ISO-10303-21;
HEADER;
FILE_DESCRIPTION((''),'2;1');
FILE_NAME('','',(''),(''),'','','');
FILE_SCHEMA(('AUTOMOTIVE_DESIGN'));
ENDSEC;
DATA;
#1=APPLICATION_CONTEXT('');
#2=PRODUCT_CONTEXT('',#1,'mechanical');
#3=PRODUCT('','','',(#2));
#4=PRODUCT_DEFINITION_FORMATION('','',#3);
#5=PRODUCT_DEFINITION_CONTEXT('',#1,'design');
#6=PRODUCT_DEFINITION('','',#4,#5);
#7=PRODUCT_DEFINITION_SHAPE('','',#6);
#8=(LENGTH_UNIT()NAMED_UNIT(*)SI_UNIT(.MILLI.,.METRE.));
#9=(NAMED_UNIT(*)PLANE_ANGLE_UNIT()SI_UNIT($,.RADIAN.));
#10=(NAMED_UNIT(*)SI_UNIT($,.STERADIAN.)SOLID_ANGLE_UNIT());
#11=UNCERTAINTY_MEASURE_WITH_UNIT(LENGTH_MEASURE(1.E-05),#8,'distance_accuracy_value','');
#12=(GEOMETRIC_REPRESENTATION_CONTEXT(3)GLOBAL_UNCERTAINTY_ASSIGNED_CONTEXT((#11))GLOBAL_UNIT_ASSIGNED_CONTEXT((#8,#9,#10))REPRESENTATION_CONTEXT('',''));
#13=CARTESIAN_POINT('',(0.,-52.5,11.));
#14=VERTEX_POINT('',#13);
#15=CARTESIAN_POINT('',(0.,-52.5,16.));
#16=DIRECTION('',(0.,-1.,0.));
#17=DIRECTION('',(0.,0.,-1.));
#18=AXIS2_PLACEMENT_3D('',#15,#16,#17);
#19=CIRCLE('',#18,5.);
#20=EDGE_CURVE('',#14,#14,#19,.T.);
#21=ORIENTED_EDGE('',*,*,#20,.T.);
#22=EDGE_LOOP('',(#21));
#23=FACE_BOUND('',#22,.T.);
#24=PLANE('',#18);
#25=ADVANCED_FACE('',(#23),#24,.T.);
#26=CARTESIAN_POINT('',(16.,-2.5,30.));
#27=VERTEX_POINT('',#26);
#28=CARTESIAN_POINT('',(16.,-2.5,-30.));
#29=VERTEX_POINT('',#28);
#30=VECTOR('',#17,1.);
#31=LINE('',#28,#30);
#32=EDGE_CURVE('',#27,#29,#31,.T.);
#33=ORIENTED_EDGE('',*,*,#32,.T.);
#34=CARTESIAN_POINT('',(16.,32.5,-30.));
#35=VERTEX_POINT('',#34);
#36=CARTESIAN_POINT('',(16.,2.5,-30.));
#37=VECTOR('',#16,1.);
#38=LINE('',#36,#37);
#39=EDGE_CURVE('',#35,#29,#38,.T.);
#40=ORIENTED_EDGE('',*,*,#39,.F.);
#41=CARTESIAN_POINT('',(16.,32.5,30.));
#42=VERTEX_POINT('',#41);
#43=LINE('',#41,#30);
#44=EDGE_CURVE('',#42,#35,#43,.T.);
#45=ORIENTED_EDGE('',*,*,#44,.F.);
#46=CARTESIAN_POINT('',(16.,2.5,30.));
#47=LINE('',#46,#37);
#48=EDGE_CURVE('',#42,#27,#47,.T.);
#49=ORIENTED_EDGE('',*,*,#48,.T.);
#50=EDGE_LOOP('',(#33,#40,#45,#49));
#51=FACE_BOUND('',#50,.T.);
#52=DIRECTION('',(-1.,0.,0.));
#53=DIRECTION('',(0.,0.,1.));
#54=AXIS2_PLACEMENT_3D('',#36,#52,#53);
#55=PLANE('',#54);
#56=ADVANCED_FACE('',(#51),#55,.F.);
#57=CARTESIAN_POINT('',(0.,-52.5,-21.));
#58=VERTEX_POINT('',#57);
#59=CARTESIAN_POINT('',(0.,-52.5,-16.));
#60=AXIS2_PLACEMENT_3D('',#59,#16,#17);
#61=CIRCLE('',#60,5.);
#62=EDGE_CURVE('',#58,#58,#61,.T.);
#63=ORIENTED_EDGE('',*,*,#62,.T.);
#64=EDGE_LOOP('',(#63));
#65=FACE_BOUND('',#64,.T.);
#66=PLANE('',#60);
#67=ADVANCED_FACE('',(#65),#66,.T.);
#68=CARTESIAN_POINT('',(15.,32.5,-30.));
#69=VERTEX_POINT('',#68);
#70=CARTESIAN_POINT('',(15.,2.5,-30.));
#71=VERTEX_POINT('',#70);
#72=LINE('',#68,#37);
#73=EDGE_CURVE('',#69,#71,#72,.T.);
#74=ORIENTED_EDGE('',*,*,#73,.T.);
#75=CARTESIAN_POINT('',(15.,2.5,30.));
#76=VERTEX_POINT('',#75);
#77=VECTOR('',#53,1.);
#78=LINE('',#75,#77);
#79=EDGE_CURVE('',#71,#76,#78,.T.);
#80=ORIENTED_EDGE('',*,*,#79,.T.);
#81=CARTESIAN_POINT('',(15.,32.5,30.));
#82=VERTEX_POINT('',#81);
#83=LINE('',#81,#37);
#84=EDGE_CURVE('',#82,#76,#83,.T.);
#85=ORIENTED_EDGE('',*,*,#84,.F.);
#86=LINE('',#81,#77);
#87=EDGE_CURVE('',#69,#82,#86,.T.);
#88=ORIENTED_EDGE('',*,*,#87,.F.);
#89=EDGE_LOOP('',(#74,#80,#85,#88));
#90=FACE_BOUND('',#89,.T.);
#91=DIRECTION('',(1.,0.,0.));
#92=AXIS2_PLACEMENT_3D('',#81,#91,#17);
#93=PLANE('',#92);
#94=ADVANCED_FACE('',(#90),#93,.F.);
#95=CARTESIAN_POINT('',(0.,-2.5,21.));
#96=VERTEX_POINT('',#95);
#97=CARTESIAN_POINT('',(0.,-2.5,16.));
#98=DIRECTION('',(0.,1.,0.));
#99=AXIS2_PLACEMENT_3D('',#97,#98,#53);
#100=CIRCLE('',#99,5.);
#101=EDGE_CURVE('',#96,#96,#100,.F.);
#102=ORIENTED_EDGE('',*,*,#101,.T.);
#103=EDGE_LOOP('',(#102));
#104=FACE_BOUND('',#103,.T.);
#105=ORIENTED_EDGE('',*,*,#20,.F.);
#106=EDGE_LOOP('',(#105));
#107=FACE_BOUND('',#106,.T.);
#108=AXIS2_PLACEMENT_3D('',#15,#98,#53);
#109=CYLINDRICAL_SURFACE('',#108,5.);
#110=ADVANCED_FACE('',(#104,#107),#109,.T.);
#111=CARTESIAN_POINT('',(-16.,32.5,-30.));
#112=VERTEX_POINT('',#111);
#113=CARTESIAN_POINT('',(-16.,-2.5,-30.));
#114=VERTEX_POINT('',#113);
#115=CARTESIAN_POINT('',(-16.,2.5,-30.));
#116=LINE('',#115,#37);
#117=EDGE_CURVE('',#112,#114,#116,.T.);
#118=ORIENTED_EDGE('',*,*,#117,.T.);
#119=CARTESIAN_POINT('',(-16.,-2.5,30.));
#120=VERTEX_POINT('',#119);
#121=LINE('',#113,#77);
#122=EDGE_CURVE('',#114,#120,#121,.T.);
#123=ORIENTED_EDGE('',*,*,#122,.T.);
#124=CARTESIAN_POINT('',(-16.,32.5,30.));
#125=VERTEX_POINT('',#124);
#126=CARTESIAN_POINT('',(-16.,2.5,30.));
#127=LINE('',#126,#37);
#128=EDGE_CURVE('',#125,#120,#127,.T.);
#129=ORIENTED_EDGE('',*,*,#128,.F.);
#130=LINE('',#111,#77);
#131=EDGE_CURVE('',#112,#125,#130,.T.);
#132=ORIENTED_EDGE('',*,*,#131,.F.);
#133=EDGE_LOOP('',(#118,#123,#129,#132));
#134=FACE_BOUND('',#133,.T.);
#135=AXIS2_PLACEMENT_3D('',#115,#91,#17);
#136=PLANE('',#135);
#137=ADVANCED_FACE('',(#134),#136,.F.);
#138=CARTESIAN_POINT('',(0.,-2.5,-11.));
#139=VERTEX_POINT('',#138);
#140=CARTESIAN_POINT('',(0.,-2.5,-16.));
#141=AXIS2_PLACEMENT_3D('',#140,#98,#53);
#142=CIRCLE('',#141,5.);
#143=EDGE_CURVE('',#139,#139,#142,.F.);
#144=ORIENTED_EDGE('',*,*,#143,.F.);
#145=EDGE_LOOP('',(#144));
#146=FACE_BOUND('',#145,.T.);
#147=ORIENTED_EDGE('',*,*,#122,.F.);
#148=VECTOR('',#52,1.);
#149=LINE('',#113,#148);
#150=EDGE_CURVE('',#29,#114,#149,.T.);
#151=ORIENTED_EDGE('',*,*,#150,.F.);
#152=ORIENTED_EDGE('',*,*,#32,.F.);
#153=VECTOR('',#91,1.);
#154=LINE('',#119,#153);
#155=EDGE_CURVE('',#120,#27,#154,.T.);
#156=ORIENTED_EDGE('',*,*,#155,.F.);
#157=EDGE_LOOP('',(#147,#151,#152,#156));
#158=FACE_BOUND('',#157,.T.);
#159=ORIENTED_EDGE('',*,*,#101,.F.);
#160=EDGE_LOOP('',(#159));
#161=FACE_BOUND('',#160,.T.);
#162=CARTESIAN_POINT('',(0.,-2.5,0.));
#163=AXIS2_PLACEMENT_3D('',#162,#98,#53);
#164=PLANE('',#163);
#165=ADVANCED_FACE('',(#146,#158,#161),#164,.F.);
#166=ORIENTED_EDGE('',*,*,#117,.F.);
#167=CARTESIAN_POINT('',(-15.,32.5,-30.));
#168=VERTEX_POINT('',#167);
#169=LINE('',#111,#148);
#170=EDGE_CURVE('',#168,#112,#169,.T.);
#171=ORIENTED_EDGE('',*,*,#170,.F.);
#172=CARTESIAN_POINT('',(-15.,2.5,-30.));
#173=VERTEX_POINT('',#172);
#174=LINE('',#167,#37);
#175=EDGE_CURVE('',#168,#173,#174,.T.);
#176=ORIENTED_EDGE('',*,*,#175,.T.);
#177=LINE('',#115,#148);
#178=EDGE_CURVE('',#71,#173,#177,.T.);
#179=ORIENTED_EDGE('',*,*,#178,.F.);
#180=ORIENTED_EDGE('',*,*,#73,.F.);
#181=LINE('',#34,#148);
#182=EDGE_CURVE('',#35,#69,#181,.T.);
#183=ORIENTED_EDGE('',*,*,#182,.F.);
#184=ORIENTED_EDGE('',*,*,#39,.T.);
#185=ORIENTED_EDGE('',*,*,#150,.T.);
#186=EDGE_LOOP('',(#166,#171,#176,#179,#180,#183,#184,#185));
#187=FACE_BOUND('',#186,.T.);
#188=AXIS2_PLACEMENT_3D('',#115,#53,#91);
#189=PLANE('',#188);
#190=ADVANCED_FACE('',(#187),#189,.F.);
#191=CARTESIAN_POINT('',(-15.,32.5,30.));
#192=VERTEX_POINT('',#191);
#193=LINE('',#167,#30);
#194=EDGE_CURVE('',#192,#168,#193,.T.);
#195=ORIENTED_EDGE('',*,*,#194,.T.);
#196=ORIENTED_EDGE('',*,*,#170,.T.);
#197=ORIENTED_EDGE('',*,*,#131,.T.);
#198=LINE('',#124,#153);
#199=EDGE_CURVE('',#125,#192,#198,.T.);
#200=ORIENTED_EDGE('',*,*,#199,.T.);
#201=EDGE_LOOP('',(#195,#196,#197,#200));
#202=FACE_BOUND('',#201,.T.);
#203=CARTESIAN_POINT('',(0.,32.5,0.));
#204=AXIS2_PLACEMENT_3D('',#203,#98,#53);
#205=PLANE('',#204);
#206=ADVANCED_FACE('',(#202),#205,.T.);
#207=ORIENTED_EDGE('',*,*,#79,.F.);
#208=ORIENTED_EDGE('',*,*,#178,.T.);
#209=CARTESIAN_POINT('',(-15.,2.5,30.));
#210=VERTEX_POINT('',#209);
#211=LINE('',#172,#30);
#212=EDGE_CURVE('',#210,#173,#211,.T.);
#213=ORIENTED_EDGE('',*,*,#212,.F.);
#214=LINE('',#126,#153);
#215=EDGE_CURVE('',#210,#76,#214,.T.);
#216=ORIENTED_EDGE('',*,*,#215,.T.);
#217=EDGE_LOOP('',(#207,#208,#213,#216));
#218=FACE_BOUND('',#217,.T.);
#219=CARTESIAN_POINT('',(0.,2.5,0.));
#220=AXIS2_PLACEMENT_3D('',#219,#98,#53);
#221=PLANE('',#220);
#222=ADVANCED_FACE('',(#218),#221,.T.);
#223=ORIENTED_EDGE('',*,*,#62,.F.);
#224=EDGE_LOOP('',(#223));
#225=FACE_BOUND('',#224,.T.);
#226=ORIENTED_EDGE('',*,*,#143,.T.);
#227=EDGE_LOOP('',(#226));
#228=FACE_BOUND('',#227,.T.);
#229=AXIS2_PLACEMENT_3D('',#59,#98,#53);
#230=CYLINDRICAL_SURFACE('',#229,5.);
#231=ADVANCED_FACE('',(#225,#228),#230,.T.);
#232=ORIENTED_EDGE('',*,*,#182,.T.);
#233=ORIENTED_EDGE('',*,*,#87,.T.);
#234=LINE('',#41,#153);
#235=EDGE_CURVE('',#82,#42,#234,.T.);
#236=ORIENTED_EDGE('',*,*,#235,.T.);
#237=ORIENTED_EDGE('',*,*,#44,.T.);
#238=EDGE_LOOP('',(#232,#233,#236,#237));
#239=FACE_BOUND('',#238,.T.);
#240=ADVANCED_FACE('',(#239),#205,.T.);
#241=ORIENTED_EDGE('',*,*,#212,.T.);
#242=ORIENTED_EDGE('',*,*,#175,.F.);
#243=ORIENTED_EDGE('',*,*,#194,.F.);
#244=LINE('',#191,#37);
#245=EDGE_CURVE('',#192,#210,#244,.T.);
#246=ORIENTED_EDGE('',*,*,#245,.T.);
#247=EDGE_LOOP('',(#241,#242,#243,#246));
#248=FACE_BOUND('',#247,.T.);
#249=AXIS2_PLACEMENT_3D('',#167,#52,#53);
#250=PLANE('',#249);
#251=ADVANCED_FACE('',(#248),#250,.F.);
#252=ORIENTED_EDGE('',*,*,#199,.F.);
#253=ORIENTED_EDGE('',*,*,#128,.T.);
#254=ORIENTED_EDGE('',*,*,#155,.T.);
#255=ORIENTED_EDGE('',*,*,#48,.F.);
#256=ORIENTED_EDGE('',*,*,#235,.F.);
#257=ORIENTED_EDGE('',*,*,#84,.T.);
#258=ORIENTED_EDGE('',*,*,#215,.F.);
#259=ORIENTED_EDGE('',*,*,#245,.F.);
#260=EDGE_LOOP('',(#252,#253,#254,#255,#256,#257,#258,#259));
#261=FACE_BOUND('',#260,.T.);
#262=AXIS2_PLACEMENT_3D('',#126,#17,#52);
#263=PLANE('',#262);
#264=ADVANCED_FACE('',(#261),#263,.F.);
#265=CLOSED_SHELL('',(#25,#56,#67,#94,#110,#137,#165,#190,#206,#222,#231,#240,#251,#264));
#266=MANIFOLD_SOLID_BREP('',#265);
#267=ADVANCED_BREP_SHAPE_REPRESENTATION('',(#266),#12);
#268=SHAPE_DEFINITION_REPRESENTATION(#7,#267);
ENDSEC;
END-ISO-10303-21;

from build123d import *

# Parameters (mm, degrees)
SKETCH1_W           = 32
SKETCH1_H           = 60
BOSS_EXTRUDE1_DEPTH = 2.5
SKETCH2_R           = 5
BOSS_EXTRUDE2_DEPTH = 50
SKETCH3_W           = 1
SKETCH3_H           = 60
BOSS_EXTRUDE3_DEPTH = 30


with BuildPart() as part:
    # Sketch1 → Boss-Extrude1 (new body, symmetric)
    with BuildSketch(Plane(origin=(0, 0, 0), x_dir=(1, 0, 0), z_dir=(0, 1, 0))):
        Rectangle(SKETCH1_W, SKETCH1_H)
    extrude(amount=BOSS_EXTRUDE1_DEPTH, both=True)

    # Sketch2 → Boss-Extrude2 (add)
    with BuildSketch(Plane.XZ.offset(2.5)):
        with Locations((0, 16)):
            Circle(SKETCH2_R)
        with Locations((0, -16)):
            Circle(SKETCH2_R)
    extrude(amount=BOSS_EXTRUDE2_DEPTH)

    # Sketch3 → Boss-Extrude3 (add)
    with BuildSketch(Plane(origin=(0, 2.5, 0), x_dir=(1, 0, 0), z_dir=(0, 1, 0))):
        with Locations((-15.5, 0)):
            Rectangle(SKETCH3_W, SKETCH3_H)
        with Locations((15.5, 0)):
            Rectangle(SKETCH3_W, SKETCH3_H)
    extrude(amount=BOSS_EXTRUDE3_DEPTH)


solid = part.part
